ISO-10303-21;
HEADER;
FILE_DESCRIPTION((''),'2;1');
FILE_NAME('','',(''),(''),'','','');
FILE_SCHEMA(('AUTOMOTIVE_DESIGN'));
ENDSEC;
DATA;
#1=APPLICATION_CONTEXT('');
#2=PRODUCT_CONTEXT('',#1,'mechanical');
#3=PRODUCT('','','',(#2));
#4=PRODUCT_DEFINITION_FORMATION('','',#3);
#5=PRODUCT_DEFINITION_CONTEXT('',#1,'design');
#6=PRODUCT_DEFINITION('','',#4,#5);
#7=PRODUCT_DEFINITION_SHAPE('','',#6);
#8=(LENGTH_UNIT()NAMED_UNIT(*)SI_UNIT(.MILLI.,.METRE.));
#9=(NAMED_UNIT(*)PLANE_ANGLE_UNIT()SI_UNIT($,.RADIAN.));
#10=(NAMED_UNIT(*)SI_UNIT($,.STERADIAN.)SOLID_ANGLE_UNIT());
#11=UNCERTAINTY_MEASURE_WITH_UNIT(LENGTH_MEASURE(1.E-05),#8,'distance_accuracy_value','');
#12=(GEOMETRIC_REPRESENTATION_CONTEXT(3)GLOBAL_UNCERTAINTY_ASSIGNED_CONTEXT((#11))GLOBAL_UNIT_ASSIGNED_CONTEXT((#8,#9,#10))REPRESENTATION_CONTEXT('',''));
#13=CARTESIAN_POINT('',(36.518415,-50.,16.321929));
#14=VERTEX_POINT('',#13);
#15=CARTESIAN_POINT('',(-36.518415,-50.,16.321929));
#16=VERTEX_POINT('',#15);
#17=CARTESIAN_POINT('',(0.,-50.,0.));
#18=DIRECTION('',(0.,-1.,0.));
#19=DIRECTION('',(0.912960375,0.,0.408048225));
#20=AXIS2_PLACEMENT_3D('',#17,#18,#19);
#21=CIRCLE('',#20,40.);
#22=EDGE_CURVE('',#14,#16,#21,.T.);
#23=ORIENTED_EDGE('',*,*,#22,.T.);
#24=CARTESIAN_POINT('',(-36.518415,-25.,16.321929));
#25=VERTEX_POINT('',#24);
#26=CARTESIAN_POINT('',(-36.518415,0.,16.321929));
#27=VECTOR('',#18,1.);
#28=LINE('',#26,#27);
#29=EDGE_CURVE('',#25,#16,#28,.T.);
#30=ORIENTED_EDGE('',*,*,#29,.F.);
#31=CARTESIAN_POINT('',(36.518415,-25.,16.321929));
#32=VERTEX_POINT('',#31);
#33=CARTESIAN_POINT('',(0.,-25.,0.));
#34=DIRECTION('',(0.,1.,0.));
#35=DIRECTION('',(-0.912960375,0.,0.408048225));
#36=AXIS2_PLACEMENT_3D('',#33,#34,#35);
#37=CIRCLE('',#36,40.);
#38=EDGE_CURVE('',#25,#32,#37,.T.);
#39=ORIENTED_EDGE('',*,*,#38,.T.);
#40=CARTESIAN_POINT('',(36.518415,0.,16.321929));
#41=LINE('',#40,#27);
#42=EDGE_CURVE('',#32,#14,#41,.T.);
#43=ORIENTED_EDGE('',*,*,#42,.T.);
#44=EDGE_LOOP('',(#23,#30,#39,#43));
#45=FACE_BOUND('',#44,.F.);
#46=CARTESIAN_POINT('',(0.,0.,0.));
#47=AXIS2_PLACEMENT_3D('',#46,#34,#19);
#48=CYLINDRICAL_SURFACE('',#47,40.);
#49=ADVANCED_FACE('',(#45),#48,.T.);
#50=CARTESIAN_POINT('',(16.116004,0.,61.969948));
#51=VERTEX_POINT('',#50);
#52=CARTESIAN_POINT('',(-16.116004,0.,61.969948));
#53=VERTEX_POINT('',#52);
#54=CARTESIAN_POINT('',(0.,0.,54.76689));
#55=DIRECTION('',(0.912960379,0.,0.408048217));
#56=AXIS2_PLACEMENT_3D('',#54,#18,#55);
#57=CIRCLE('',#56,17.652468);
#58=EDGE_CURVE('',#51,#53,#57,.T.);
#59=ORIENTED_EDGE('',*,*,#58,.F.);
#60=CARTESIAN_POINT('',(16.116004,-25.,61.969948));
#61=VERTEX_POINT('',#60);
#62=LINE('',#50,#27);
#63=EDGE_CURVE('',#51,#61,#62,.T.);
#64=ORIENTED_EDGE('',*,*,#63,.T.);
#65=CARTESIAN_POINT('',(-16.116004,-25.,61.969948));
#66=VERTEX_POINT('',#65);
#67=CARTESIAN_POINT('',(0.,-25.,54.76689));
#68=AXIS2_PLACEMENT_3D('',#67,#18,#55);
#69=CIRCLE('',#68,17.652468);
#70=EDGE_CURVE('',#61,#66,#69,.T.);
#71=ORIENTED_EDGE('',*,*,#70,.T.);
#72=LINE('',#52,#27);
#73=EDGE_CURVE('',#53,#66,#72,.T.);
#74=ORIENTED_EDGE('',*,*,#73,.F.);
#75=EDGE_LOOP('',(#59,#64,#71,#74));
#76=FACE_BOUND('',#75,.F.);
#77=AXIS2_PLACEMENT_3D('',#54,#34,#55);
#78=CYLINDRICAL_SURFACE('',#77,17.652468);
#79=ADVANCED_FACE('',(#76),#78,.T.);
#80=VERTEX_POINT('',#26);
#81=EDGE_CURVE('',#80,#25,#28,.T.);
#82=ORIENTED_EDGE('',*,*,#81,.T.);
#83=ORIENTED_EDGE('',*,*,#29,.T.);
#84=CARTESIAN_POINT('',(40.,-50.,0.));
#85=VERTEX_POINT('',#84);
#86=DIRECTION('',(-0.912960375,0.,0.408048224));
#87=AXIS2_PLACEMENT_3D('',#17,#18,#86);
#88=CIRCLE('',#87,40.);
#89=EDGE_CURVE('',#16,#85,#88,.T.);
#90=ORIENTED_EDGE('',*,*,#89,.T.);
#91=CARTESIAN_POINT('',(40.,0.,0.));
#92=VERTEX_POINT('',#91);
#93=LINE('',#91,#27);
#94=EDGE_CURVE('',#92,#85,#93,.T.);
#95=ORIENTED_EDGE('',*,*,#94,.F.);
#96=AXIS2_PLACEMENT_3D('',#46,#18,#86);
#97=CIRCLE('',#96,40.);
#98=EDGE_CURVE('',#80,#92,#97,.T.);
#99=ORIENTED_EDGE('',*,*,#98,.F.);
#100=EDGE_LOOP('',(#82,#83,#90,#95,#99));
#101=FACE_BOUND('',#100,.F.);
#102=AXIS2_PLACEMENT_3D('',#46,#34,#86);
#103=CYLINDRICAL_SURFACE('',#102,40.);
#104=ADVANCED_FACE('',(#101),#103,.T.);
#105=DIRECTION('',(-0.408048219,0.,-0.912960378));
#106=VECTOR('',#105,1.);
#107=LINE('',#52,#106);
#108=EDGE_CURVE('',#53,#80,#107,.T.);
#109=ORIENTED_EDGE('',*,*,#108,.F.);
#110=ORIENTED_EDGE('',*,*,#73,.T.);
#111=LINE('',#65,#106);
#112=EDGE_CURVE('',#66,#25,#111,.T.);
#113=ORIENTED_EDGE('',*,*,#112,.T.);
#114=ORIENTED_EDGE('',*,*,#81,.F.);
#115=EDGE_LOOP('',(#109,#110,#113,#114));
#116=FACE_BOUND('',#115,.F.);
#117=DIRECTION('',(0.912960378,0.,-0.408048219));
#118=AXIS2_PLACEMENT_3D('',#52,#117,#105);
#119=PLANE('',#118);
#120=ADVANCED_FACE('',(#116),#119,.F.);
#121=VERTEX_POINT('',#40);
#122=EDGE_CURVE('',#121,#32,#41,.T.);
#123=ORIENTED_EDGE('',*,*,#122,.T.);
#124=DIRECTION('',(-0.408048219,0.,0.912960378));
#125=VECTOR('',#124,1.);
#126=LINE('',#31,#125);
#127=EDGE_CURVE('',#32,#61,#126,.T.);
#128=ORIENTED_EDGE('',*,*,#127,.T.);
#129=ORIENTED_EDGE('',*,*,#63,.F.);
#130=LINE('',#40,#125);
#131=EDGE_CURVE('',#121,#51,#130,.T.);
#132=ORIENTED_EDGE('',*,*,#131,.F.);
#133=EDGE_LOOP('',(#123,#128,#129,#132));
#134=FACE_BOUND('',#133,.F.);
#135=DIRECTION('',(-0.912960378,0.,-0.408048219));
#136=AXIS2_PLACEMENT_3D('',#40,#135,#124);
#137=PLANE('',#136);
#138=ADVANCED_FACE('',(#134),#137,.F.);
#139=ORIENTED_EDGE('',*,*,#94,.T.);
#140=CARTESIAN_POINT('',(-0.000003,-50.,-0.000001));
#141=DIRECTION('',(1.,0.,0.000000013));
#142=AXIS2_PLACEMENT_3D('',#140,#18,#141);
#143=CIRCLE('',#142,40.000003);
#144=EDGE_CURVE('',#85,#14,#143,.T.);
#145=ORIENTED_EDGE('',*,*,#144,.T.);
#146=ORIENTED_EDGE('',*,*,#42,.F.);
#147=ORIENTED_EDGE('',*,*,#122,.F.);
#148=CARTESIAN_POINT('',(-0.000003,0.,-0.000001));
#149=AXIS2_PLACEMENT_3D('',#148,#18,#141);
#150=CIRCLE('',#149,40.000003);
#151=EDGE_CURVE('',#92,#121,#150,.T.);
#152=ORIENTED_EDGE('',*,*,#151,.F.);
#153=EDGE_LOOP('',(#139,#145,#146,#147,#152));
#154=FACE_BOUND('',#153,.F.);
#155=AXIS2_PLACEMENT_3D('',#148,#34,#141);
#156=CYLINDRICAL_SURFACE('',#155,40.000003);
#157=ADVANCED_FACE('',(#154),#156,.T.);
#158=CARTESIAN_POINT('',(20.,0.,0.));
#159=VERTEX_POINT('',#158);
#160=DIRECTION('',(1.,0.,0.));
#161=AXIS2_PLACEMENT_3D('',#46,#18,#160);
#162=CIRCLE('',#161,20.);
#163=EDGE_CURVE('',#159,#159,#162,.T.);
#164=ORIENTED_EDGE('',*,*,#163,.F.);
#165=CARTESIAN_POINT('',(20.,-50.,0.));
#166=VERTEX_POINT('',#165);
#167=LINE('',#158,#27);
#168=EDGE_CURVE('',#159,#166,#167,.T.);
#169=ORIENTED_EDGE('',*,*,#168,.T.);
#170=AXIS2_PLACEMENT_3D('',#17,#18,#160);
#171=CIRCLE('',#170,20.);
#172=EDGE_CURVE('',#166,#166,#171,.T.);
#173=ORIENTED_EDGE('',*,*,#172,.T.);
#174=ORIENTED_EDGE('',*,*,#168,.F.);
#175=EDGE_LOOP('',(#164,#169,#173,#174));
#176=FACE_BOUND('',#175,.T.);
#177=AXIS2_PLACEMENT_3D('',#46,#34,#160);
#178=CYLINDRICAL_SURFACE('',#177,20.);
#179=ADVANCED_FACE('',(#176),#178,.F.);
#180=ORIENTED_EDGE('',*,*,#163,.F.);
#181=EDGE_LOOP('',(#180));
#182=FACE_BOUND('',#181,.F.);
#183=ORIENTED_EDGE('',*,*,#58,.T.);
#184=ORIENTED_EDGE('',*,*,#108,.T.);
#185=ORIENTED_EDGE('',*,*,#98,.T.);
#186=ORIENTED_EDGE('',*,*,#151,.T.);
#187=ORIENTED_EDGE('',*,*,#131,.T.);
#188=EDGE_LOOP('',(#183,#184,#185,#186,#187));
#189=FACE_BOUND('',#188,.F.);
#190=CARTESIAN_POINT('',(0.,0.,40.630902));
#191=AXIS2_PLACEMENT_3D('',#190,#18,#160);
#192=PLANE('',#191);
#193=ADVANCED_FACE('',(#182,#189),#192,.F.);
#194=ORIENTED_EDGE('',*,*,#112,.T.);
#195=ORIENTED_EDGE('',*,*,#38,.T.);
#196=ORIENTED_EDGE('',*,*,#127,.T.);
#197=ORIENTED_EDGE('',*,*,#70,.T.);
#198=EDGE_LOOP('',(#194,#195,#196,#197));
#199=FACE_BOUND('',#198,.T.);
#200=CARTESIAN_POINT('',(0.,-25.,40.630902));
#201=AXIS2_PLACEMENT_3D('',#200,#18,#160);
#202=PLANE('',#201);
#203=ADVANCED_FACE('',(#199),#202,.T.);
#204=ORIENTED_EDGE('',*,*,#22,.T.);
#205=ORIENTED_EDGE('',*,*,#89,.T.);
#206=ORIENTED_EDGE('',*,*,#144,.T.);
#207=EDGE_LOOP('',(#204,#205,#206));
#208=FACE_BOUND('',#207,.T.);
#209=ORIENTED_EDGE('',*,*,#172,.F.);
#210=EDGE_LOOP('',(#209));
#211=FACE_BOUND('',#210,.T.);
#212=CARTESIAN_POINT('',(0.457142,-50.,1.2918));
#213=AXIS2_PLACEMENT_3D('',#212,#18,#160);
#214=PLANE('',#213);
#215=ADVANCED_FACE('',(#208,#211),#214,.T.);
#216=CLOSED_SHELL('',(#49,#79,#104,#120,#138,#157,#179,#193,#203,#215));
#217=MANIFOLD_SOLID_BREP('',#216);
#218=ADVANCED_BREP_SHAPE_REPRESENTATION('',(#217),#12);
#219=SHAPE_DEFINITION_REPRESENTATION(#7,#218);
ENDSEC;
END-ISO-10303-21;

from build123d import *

# Parameters (mm, degrees)
F0_R     = 20
F1_DEPTH = 50
F2_DEPTH = 25


with BuildPart() as f1:
    # F0 (on Front) → F1 (new body)
    with BuildSketch(Plane.XZ):
        with BuildLine():
            ThreePointArc((-36.518415, 16.321929), (-8.344561, -39.119922), (40, 0))
            ThreePointArc((40, 0), (39.119922, 8.344561), (36.518415, 16.321929))
            ThreePointArc((36.518415, 16.321929), (0, 40), (-36.518415, 16.321929))
        make_face()
        Circle(F0_R, mode=Mode.SUBTRACT)
    extrude(amount=F1_DEPTH)

    # F0 (on Front) → F2 (join)
    with BuildSketch(Plane.XZ):
        with BuildLine():
            ThreePointArc((-36.518415, 16.321929), (0, 40), (36.518415, 16.321929))
            Line((36.518415, 16.321929), (16.116004, 61.969948))
            ThreePointArc((16.116004, 61.969948), (0, 72.419358), (-16.116004, 61.969948))
            Line((-16.116004, 61.969948), (-36.518415, 16.321929))
        make_face()
    extrude(amount=F2_DEPTH)


solid = f1.part
